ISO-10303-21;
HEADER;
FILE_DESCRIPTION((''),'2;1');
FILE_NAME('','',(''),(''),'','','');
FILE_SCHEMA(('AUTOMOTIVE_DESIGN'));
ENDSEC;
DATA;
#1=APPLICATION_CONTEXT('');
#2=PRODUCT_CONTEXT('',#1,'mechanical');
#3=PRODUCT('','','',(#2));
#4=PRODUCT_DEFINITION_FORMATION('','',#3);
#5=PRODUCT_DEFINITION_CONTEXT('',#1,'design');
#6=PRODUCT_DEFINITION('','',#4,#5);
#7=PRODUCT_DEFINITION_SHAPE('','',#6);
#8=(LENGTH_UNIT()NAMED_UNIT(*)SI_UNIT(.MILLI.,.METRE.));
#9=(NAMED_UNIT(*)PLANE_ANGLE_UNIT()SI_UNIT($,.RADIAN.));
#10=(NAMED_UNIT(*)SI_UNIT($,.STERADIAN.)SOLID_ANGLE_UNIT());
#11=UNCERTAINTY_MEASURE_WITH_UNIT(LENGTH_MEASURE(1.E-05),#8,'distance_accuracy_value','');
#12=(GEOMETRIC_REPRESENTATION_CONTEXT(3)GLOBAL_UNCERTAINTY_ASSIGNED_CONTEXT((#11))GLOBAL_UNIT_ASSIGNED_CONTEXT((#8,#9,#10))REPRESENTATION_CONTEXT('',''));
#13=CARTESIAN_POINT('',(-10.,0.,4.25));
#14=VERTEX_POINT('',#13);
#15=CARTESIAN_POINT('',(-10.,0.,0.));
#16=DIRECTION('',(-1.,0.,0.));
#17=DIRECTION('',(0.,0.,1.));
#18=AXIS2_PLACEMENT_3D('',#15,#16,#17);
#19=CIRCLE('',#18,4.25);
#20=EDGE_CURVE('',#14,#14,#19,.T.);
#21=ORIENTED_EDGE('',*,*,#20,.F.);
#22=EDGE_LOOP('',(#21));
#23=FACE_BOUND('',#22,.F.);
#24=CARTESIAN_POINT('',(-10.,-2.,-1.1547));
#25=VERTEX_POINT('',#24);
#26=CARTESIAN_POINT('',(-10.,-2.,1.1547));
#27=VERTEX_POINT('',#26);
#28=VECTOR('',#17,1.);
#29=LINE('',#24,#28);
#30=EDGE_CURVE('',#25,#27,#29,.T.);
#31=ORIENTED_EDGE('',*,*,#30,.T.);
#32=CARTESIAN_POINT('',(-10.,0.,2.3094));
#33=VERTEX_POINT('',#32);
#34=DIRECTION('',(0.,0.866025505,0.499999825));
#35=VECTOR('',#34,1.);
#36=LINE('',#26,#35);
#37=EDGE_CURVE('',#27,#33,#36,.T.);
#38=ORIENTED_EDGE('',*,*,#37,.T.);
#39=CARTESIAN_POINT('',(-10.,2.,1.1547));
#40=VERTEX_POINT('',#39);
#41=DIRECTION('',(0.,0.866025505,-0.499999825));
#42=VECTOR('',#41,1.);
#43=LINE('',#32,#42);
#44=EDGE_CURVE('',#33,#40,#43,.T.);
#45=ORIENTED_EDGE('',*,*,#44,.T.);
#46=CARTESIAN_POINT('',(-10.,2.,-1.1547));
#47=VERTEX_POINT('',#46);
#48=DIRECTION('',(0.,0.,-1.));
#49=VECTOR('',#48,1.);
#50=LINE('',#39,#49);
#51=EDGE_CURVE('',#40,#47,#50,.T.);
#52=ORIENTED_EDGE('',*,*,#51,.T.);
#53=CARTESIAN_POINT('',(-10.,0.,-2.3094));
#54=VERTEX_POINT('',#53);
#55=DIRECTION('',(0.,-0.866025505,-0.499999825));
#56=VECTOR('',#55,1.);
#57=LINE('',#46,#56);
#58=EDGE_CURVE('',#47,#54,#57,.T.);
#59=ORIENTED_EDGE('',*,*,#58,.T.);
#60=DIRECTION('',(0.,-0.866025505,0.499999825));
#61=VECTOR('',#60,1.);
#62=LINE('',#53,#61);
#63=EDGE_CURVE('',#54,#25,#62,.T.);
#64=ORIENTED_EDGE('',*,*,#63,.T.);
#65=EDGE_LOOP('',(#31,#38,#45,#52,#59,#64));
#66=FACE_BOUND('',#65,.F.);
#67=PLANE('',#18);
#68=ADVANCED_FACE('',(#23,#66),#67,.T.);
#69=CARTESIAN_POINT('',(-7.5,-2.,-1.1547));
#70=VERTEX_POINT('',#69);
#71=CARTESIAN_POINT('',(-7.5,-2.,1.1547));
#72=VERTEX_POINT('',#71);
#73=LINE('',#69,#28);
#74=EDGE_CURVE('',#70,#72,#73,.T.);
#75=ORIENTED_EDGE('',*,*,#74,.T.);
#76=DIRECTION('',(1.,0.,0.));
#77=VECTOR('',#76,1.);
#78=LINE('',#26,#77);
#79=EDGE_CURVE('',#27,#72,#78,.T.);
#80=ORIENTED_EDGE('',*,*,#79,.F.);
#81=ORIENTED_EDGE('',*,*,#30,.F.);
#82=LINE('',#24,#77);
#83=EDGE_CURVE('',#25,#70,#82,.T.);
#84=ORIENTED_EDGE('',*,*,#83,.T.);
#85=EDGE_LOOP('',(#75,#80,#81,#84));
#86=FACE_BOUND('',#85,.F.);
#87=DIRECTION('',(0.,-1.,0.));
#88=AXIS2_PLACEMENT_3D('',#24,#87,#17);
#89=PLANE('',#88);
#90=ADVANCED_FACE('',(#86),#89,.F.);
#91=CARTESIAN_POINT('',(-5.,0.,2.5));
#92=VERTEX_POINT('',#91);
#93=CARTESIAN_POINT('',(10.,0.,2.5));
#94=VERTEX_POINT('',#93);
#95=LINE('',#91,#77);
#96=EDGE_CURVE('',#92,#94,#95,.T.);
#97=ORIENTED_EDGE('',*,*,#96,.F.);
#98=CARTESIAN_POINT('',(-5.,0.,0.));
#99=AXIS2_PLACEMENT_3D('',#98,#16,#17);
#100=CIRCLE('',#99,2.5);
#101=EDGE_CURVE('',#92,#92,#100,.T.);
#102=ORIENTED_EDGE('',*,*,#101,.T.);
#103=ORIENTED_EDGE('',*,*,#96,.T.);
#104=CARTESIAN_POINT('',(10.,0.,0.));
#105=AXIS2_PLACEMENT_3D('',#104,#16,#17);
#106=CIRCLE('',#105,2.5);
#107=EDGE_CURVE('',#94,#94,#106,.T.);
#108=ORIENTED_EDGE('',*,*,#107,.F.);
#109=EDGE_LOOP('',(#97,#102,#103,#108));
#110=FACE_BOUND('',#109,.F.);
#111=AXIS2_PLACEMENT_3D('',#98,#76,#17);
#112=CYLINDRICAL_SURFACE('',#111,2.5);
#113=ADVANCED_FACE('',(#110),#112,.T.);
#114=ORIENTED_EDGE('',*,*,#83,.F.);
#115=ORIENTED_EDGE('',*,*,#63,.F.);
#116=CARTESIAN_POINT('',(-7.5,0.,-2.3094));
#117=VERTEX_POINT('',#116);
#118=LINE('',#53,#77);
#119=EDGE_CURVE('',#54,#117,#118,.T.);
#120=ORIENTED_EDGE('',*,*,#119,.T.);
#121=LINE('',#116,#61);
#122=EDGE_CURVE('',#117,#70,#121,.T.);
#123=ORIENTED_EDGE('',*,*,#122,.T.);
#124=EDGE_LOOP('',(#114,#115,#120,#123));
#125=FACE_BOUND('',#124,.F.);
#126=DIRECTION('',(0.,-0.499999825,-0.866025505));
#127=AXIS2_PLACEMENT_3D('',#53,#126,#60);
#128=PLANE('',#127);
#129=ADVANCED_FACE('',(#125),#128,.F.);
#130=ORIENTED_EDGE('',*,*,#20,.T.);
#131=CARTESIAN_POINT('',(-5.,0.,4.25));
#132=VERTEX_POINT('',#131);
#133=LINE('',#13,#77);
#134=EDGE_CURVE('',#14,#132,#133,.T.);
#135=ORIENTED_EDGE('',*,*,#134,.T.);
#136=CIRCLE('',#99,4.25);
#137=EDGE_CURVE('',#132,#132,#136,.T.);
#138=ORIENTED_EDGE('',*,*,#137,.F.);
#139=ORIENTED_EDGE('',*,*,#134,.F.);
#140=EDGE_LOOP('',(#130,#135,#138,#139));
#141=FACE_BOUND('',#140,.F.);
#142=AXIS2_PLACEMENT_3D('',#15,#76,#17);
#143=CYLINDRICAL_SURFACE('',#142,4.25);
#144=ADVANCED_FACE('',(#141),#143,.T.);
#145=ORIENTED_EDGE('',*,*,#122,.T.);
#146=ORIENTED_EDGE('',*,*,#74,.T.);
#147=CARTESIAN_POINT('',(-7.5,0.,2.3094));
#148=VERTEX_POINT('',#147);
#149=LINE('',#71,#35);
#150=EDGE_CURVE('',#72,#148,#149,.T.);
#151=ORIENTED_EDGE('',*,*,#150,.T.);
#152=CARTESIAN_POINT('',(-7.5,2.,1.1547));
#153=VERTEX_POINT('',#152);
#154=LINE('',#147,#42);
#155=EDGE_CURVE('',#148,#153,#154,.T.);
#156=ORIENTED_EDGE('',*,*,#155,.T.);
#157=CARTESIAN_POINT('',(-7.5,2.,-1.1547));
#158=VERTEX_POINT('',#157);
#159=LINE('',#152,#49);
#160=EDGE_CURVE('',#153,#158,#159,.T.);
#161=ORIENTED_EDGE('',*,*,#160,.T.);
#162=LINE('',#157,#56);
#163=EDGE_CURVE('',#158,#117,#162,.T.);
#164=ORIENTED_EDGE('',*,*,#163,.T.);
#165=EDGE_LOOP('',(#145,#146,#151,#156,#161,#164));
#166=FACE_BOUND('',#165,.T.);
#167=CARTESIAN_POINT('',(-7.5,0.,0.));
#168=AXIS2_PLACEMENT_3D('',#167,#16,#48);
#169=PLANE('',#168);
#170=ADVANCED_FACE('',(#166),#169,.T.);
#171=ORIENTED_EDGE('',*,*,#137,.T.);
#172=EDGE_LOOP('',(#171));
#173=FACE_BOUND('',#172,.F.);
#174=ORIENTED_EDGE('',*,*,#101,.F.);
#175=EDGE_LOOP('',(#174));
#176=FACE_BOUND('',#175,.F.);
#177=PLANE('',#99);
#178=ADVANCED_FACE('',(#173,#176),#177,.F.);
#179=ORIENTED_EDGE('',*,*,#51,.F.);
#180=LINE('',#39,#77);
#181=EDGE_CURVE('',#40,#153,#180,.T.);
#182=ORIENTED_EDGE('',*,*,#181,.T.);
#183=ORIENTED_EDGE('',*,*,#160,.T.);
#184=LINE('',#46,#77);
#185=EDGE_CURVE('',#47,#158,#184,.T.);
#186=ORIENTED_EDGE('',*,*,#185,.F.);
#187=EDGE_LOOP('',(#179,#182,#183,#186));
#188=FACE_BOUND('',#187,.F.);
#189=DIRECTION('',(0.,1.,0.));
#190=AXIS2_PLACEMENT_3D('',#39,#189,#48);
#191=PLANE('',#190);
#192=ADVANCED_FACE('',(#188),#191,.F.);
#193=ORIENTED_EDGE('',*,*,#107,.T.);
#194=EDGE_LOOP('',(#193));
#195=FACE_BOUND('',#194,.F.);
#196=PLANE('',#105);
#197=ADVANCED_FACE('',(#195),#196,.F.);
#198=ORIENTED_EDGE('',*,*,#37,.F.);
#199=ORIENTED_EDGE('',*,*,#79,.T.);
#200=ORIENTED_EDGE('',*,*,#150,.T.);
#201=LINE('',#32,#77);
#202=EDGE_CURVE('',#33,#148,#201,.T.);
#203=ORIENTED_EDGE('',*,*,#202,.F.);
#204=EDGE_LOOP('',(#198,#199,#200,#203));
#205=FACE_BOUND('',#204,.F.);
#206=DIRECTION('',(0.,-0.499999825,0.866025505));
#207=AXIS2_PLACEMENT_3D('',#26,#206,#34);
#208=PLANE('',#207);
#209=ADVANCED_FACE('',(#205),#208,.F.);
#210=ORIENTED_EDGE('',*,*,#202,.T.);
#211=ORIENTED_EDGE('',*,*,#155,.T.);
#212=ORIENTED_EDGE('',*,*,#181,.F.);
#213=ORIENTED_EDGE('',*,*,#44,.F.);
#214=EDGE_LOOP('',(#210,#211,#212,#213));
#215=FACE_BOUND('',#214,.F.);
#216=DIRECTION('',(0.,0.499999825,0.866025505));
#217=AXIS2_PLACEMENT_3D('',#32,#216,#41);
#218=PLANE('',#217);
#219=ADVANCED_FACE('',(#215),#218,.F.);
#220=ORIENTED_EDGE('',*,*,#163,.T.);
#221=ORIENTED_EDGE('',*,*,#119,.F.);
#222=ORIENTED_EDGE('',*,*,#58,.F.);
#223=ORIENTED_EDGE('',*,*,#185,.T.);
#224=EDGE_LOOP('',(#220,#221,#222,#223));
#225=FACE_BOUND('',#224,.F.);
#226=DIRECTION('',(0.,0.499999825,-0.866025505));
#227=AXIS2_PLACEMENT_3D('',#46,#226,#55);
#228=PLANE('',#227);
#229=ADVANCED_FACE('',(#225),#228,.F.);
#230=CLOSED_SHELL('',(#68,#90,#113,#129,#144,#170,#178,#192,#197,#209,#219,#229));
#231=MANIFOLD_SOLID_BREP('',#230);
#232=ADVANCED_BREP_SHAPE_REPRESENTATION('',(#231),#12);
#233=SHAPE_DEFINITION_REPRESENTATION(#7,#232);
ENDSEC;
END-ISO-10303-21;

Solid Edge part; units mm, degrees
sketch "Sketch1" plane through (10.8674, 0, 10.8674) normal (0, -1, 0) x (1, 0, 0)
  line L0 (-20.8674, -10.8674) -> (-20.8674, -6.6174)
  line L1 (-20.8674, -6.6174) -> (-15.8674, -6.6174)
  line L2 (-15.8674, -6.6174) -> (-15.8674, -8.3674)
  line L3 (-15.8674, -8.3674) -> (-0.8674, -8.3674)
  line L4 (-0.8674, -8.3674) -> (-0.8674, -10.8674)
  dimension "D1" = 5
  dimension "D2" = 15
revolve "RevolvedProtrusion1" add sketch "Sketch1" angle 360 about axis through (16.5, 0, 0) along (-1, 0, 0)
sketch "Sketch2" plane through (-10, 0, 0) normal (-1, 0, 0) x (0, 0, -1)
  line L0 (2.3094, 0) -> (1.1547, 2)
  line L1 (1.1547, 2) -> (-1.1547, 2)
  line L2 (-1.1547, 2) -> (-2.3094, 0)
  line L3 (-2.3094, 0) -> (-1.1547, -2)
  line L4 (-1.1547, -2) -> (1.1547, -2)
  line L5 (1.1547, -2) -> (2.3094, 0)
  dimension "D1" = 4
extrude "Cutout1" cut sketch "Sketch2" against normal blind 2.5
cosmetic_thread "Thread1" size "M5"
properties material "Steel"
